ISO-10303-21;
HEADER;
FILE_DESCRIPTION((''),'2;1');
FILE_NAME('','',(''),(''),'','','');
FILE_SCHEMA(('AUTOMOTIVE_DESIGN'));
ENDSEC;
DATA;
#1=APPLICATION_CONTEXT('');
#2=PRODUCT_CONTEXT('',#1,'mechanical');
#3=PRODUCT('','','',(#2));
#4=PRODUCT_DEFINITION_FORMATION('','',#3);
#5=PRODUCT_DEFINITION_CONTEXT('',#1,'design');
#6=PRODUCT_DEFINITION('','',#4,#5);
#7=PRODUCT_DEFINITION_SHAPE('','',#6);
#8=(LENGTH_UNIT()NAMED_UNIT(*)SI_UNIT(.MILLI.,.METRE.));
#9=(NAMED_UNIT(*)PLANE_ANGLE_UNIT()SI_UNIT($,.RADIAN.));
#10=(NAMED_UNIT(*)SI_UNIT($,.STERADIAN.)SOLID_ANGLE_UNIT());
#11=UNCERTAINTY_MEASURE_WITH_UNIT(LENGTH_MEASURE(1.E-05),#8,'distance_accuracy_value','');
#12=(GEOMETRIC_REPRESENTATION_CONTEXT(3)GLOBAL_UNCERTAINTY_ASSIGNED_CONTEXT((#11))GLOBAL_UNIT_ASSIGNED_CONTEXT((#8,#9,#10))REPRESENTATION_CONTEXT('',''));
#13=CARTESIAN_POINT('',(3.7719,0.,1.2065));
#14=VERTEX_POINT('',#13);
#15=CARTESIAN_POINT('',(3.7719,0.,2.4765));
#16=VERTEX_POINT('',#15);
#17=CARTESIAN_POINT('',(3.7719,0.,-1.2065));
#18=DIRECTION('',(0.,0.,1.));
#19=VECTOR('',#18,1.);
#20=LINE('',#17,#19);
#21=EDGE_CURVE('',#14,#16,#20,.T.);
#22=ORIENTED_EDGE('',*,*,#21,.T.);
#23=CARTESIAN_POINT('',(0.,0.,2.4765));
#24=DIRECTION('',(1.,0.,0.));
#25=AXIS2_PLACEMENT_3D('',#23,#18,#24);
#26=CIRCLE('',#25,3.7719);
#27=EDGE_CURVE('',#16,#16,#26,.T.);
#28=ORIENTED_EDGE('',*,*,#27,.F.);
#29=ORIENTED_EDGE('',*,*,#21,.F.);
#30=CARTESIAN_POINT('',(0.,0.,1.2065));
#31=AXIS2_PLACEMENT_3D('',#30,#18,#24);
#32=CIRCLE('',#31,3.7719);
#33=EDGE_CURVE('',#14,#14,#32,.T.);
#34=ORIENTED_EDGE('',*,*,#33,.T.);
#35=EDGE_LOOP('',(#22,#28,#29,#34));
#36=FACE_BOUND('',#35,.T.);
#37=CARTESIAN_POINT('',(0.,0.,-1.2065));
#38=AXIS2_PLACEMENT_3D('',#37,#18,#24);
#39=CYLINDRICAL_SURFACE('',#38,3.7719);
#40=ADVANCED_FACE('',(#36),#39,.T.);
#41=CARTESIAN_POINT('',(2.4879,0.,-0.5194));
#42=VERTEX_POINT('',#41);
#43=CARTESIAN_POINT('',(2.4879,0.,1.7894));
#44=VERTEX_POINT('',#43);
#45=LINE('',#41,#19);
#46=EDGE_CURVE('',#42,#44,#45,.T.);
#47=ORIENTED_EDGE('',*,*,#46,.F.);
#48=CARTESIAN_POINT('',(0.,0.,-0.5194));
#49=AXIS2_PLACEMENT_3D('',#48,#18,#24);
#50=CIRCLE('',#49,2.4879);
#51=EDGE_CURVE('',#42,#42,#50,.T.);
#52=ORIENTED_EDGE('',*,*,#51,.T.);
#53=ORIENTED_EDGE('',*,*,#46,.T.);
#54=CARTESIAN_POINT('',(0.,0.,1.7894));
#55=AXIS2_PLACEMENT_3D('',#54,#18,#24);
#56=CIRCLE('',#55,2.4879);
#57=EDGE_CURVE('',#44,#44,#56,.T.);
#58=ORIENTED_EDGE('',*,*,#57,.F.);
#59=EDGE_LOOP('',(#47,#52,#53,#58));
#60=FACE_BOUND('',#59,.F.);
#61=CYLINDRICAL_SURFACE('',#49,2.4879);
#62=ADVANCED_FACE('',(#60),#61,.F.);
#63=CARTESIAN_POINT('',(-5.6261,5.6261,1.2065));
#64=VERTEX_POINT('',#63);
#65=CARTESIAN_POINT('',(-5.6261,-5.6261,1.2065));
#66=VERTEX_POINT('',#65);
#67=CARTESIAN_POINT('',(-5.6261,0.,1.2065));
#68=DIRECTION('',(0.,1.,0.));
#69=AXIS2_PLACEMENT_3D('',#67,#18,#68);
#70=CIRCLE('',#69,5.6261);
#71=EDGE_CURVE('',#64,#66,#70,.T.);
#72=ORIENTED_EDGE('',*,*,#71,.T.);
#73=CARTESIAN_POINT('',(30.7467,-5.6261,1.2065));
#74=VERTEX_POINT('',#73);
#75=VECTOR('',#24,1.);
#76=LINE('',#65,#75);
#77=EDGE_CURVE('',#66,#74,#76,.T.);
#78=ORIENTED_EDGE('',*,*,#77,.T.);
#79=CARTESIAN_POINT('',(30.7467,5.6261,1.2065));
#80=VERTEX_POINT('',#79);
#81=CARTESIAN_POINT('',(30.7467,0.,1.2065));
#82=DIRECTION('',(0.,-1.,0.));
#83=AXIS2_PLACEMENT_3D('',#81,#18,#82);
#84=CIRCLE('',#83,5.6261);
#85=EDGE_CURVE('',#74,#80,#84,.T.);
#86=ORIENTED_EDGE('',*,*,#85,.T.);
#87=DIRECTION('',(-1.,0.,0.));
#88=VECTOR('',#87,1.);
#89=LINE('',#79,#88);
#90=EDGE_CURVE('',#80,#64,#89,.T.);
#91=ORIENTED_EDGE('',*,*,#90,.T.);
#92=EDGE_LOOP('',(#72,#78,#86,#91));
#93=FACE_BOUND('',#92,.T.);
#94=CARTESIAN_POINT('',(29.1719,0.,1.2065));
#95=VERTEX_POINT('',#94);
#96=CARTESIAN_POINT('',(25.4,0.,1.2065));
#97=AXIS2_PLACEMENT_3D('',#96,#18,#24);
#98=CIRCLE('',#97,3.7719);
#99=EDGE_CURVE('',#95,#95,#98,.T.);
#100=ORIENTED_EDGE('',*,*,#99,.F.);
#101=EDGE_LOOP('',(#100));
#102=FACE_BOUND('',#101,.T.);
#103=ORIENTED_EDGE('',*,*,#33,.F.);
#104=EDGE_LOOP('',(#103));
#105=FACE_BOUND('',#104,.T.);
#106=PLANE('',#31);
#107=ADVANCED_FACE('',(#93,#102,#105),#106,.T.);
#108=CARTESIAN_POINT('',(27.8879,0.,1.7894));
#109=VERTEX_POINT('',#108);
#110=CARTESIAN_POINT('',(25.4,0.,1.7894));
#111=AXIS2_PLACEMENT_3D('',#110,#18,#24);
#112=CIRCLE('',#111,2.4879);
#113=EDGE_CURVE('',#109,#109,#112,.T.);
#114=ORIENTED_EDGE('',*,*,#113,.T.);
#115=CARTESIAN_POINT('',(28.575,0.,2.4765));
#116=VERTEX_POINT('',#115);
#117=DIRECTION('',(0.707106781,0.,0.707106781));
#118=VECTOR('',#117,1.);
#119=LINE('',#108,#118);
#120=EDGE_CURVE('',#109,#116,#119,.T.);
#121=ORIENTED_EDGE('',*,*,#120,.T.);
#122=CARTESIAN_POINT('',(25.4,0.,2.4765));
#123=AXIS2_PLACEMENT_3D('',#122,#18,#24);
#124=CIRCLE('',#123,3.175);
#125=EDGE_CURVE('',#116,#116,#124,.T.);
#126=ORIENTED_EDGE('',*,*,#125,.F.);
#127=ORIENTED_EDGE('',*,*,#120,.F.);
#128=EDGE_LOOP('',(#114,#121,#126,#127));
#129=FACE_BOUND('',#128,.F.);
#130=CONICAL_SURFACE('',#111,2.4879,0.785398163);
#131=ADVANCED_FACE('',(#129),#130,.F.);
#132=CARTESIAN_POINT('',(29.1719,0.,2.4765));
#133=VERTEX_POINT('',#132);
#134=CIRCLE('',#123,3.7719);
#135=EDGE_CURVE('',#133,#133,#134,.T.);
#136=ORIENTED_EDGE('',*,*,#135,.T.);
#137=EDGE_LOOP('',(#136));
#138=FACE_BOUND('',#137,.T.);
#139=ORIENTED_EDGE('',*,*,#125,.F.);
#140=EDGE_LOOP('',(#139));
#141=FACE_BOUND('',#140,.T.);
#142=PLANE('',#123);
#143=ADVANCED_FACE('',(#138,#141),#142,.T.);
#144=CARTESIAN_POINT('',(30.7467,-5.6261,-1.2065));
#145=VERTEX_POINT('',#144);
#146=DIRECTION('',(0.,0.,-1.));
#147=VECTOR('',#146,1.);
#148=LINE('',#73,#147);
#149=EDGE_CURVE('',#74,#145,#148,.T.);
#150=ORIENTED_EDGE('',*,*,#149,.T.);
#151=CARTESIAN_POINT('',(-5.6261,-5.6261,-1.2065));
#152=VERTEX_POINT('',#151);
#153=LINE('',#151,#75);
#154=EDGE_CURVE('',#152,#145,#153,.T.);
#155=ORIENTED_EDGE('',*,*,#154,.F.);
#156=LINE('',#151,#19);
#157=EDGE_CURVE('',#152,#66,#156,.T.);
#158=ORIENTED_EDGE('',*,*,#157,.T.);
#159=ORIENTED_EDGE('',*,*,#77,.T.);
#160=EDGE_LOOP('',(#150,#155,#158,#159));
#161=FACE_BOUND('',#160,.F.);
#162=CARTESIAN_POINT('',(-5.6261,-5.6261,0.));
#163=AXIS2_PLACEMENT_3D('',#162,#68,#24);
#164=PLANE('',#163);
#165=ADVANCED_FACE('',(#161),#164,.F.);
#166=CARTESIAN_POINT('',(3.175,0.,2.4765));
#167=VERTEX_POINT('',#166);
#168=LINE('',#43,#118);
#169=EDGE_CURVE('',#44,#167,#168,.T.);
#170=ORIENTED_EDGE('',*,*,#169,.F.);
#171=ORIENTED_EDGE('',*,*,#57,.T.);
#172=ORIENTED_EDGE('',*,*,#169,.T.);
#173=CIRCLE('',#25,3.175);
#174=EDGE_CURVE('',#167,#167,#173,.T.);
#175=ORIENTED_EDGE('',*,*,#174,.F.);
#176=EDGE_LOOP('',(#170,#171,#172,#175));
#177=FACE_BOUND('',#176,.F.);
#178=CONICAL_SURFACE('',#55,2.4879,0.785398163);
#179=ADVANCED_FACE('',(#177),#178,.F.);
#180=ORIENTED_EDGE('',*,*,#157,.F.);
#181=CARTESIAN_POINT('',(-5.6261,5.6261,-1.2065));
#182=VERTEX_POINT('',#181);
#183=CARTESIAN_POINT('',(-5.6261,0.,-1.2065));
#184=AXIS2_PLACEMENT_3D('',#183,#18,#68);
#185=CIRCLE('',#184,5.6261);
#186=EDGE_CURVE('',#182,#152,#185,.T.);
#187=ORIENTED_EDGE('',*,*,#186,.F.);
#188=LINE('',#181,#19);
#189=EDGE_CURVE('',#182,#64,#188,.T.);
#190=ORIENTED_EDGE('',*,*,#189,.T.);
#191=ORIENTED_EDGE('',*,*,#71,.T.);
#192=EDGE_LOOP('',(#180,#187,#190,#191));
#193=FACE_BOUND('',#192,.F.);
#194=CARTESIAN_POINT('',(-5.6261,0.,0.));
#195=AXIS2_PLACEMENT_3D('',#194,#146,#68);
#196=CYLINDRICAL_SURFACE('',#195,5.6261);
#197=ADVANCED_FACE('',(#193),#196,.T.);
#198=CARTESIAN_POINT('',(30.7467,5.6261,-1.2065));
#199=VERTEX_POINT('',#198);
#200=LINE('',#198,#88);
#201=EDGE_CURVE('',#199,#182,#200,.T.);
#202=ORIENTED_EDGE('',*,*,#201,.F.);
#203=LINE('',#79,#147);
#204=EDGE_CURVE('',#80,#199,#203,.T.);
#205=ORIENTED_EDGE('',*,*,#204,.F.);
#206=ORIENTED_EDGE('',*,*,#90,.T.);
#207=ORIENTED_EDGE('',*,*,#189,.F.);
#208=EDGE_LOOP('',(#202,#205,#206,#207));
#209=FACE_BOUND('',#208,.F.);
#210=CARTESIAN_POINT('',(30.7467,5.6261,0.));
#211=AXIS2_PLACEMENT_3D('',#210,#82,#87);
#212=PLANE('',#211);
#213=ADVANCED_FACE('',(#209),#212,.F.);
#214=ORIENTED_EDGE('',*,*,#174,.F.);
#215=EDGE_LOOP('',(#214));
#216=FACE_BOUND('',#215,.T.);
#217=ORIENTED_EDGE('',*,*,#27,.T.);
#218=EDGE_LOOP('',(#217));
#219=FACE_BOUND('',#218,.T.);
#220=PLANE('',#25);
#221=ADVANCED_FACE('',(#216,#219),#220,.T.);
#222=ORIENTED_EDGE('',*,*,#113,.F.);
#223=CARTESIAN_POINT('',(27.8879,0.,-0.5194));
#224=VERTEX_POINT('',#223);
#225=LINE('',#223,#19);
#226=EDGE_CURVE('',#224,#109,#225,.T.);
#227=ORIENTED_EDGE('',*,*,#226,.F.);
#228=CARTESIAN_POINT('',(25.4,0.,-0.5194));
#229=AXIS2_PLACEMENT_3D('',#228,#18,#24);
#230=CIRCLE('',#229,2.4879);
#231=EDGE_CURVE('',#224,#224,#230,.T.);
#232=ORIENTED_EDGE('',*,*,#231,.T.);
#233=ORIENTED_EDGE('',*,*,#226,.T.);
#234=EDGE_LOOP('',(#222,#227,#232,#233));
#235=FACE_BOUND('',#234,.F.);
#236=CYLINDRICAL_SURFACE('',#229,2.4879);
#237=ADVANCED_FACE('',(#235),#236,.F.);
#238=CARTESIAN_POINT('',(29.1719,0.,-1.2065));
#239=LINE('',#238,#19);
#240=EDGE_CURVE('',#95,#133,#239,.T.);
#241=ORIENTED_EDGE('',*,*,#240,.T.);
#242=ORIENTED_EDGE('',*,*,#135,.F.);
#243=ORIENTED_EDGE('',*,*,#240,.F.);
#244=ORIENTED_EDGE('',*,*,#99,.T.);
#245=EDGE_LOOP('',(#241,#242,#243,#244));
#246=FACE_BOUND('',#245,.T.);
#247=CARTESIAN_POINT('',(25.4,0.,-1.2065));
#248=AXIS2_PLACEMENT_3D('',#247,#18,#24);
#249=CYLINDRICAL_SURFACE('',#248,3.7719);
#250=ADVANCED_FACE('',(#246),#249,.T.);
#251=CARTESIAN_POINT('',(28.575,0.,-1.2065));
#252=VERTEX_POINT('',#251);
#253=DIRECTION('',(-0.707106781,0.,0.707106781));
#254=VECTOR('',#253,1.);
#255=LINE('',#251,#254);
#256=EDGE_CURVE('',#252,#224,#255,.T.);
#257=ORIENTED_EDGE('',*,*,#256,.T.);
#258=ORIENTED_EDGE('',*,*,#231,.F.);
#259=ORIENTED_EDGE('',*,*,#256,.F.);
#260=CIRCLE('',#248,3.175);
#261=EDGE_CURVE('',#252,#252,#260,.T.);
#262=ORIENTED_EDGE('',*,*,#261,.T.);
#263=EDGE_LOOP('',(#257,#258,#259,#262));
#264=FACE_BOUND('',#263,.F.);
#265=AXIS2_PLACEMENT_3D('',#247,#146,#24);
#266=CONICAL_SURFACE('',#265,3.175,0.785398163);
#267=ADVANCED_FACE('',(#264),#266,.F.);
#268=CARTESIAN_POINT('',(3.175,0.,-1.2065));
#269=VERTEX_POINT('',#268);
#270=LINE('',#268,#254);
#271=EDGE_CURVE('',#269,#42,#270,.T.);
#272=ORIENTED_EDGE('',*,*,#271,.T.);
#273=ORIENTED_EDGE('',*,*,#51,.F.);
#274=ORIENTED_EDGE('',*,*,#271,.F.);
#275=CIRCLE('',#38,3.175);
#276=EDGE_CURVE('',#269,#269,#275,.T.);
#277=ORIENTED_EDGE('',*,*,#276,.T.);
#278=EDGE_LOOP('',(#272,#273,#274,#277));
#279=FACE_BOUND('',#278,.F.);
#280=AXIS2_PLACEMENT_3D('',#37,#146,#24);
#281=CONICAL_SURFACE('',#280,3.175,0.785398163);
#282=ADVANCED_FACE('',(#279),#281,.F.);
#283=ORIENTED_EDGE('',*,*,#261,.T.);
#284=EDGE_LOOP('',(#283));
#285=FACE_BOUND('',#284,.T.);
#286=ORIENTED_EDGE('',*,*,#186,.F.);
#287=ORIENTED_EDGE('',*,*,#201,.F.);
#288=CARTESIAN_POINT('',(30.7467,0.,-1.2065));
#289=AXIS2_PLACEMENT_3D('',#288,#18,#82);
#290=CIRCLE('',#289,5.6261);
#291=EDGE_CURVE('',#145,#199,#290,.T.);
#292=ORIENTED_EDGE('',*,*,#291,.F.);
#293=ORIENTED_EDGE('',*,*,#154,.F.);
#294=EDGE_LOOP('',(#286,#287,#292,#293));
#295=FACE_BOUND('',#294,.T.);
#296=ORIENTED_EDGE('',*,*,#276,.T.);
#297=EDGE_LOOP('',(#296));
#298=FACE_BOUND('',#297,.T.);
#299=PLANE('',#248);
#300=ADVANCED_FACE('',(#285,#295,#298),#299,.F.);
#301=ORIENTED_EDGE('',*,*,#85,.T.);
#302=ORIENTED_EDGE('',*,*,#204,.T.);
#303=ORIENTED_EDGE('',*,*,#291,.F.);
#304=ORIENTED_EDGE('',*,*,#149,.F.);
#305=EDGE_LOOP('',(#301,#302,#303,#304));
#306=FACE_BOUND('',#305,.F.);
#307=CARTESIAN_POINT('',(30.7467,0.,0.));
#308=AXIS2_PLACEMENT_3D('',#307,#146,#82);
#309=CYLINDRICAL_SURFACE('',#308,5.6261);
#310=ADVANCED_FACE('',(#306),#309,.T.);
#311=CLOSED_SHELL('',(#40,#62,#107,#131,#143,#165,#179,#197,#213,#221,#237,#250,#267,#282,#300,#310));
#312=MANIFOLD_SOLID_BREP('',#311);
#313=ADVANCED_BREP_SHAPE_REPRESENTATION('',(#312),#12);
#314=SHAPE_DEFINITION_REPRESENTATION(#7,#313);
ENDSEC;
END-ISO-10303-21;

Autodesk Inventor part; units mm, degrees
sketch "Sketch_1" plane through (0, 0, 0) normal (0, 0, 1) x (1, 0, 0)
  arc A0 (-5.6261, 5.6261) -> (-5.6261, -5.6261) centre (-5.6261, 0) ccw
  line L0 (-5.6261, -5.6261) -> (30.7467, -5.6261)
  arc A1 (30.7467, -5.6261) -> (30.7467, 5.6261) centre (30.7467, 0) ccw
  line L1 (30.7467, 5.6261) -> (-5.6261, 5.6261)
extrude "Extrusion1" add sketch "Sketch_1" along normal mid plane 2.413
sketch "Sketch_2" plane through (0, 0, 0) normal (0, 1, 0) x (-1, 0, 0)
  line L0 (0, 2.4765) -> (0, -1.2065)
  line L1 (0, -1.2065) -> (-3.7719, -1.2065)
  line L2 (-3.7719, -1.2065) -> (-3.7719, 2.4765)
  line L3 (-3.7719, 2.4765) -> (0, 2.4765)
  line L4 (0, 2.4765) -> (0, -1.2065)
revolve "Revolution1" add sketch "Sketch_2" angle 360 about axis through (0, 0, 2.4765) along (0, 0, 1)
sketch "Sketch_3" plane through (0, 0, 0) normal (0, 1, 0) x (-1, 0, 0)
  line L0 (-25.4, 2.4765) -> (-25.4, -1.2065)
  line L1 (-25.4, -1.2065) -> (-29.1719, -1.2065)
  line L2 (-29.1719, -1.2065) -> (-29.1719, 2.4765)
  line L3 (-29.1719, 2.4765) -> (-25.4, 2.4765)
  line L4 (-25.4, 2.4765) -> (-25.4, -1.2065)
revolve "Revolution2" add sketch "Sketch_3" angle 360 about axis through (25.4, 0, 2.4765) along (0, 0, 1)
sketch "Sketch_4" plane through (0, 0, 0) normal (0, 1, 0) x (-1, 0, 0)
  line L0 (0, 2.4765) -> (0, -1.2065)
  line L1 (0, -1.2065) -> (-3.175, -1.2065)
  line L2 (-3.175, -1.2065) -> (-2.4879, -0.5194)
  line L3 (-2.4879, -0.5194) -> (-2.4879, 1.7894)
  line L4 (-2.4879, 1.7894) -> (-3.175, 2.4765)
  line L5 (-3.175, 2.4765) -> (0, 2.4765)
  line L6 (0, 2.4765) -> (0, -1.2065)
revolve "Revolution3" cut sketch "Sketch_4" angle 360 about axis through (0, 0, 2.4765) along (0, 0, 1)
thread "Thread1" size "1/4-20 UNC" class "2B" standard "ANSI Unified Screw Threads" full length
sketch "Sketch_5" plane through (0, 0, 0) normal (0, 1, 0) x (-1, 0, 0)
  line L0 (-25.4, 2.4765) -> (-25.4, -1.2065)
  line L1 (-25.4, -1.2065) -> (-28.575, -1.2065)
  line L2 (-28.575, -1.2065) -> (-27.8879, -0.5194)
  line L3 (-27.8879, -0.5194) -> (-27.8879, 1.7894)
  line L4 (-27.8879, 1.7894) -> (-28.575, 2.4765)
  line L5 (-28.575, 2.4765) -> (-25.4, 2.4765)
  line L6 (-25.4, 2.4765) -> (-25.4, -1.2065)
revolve "Revolution4" cut sketch "Sketch_5" angle 360 about axis through (25.4, 0, 2.4765) along (0, 0, 1)
thread "Thread2" size "1/4-20 UNC" class "2B" standard "ANSI Unified Screw Threads" full length
ref_plane "tnut_XY" through (0, 0, -1.2065) normal (0, 0, 1) x (1, 0, 0)
ref_plane "tnut_YZ" through (0, 0, -1.2065) normal (1, 0, 0) x (0, 1, 0)
ref_plane "tnut_ZX" through (0, 0, -1.2065) normal (0, 1, 0) x (0, 0, 1)
ref_plane "tnut1_XY" through (25.4, 0, -1.2065) normal (0, 0, 1) x (1, 0, 0)
ref_plane "tnut1_YZ" through (25.4, 0, -1.2065) normal (1, 0, 0) x (0, 1, 0)
ref_plane "tnut1_ZX" through (25.4, 0, -1.2065) normal (0, 1, 0) x (0, 0, 1)
properties part number "3280"
